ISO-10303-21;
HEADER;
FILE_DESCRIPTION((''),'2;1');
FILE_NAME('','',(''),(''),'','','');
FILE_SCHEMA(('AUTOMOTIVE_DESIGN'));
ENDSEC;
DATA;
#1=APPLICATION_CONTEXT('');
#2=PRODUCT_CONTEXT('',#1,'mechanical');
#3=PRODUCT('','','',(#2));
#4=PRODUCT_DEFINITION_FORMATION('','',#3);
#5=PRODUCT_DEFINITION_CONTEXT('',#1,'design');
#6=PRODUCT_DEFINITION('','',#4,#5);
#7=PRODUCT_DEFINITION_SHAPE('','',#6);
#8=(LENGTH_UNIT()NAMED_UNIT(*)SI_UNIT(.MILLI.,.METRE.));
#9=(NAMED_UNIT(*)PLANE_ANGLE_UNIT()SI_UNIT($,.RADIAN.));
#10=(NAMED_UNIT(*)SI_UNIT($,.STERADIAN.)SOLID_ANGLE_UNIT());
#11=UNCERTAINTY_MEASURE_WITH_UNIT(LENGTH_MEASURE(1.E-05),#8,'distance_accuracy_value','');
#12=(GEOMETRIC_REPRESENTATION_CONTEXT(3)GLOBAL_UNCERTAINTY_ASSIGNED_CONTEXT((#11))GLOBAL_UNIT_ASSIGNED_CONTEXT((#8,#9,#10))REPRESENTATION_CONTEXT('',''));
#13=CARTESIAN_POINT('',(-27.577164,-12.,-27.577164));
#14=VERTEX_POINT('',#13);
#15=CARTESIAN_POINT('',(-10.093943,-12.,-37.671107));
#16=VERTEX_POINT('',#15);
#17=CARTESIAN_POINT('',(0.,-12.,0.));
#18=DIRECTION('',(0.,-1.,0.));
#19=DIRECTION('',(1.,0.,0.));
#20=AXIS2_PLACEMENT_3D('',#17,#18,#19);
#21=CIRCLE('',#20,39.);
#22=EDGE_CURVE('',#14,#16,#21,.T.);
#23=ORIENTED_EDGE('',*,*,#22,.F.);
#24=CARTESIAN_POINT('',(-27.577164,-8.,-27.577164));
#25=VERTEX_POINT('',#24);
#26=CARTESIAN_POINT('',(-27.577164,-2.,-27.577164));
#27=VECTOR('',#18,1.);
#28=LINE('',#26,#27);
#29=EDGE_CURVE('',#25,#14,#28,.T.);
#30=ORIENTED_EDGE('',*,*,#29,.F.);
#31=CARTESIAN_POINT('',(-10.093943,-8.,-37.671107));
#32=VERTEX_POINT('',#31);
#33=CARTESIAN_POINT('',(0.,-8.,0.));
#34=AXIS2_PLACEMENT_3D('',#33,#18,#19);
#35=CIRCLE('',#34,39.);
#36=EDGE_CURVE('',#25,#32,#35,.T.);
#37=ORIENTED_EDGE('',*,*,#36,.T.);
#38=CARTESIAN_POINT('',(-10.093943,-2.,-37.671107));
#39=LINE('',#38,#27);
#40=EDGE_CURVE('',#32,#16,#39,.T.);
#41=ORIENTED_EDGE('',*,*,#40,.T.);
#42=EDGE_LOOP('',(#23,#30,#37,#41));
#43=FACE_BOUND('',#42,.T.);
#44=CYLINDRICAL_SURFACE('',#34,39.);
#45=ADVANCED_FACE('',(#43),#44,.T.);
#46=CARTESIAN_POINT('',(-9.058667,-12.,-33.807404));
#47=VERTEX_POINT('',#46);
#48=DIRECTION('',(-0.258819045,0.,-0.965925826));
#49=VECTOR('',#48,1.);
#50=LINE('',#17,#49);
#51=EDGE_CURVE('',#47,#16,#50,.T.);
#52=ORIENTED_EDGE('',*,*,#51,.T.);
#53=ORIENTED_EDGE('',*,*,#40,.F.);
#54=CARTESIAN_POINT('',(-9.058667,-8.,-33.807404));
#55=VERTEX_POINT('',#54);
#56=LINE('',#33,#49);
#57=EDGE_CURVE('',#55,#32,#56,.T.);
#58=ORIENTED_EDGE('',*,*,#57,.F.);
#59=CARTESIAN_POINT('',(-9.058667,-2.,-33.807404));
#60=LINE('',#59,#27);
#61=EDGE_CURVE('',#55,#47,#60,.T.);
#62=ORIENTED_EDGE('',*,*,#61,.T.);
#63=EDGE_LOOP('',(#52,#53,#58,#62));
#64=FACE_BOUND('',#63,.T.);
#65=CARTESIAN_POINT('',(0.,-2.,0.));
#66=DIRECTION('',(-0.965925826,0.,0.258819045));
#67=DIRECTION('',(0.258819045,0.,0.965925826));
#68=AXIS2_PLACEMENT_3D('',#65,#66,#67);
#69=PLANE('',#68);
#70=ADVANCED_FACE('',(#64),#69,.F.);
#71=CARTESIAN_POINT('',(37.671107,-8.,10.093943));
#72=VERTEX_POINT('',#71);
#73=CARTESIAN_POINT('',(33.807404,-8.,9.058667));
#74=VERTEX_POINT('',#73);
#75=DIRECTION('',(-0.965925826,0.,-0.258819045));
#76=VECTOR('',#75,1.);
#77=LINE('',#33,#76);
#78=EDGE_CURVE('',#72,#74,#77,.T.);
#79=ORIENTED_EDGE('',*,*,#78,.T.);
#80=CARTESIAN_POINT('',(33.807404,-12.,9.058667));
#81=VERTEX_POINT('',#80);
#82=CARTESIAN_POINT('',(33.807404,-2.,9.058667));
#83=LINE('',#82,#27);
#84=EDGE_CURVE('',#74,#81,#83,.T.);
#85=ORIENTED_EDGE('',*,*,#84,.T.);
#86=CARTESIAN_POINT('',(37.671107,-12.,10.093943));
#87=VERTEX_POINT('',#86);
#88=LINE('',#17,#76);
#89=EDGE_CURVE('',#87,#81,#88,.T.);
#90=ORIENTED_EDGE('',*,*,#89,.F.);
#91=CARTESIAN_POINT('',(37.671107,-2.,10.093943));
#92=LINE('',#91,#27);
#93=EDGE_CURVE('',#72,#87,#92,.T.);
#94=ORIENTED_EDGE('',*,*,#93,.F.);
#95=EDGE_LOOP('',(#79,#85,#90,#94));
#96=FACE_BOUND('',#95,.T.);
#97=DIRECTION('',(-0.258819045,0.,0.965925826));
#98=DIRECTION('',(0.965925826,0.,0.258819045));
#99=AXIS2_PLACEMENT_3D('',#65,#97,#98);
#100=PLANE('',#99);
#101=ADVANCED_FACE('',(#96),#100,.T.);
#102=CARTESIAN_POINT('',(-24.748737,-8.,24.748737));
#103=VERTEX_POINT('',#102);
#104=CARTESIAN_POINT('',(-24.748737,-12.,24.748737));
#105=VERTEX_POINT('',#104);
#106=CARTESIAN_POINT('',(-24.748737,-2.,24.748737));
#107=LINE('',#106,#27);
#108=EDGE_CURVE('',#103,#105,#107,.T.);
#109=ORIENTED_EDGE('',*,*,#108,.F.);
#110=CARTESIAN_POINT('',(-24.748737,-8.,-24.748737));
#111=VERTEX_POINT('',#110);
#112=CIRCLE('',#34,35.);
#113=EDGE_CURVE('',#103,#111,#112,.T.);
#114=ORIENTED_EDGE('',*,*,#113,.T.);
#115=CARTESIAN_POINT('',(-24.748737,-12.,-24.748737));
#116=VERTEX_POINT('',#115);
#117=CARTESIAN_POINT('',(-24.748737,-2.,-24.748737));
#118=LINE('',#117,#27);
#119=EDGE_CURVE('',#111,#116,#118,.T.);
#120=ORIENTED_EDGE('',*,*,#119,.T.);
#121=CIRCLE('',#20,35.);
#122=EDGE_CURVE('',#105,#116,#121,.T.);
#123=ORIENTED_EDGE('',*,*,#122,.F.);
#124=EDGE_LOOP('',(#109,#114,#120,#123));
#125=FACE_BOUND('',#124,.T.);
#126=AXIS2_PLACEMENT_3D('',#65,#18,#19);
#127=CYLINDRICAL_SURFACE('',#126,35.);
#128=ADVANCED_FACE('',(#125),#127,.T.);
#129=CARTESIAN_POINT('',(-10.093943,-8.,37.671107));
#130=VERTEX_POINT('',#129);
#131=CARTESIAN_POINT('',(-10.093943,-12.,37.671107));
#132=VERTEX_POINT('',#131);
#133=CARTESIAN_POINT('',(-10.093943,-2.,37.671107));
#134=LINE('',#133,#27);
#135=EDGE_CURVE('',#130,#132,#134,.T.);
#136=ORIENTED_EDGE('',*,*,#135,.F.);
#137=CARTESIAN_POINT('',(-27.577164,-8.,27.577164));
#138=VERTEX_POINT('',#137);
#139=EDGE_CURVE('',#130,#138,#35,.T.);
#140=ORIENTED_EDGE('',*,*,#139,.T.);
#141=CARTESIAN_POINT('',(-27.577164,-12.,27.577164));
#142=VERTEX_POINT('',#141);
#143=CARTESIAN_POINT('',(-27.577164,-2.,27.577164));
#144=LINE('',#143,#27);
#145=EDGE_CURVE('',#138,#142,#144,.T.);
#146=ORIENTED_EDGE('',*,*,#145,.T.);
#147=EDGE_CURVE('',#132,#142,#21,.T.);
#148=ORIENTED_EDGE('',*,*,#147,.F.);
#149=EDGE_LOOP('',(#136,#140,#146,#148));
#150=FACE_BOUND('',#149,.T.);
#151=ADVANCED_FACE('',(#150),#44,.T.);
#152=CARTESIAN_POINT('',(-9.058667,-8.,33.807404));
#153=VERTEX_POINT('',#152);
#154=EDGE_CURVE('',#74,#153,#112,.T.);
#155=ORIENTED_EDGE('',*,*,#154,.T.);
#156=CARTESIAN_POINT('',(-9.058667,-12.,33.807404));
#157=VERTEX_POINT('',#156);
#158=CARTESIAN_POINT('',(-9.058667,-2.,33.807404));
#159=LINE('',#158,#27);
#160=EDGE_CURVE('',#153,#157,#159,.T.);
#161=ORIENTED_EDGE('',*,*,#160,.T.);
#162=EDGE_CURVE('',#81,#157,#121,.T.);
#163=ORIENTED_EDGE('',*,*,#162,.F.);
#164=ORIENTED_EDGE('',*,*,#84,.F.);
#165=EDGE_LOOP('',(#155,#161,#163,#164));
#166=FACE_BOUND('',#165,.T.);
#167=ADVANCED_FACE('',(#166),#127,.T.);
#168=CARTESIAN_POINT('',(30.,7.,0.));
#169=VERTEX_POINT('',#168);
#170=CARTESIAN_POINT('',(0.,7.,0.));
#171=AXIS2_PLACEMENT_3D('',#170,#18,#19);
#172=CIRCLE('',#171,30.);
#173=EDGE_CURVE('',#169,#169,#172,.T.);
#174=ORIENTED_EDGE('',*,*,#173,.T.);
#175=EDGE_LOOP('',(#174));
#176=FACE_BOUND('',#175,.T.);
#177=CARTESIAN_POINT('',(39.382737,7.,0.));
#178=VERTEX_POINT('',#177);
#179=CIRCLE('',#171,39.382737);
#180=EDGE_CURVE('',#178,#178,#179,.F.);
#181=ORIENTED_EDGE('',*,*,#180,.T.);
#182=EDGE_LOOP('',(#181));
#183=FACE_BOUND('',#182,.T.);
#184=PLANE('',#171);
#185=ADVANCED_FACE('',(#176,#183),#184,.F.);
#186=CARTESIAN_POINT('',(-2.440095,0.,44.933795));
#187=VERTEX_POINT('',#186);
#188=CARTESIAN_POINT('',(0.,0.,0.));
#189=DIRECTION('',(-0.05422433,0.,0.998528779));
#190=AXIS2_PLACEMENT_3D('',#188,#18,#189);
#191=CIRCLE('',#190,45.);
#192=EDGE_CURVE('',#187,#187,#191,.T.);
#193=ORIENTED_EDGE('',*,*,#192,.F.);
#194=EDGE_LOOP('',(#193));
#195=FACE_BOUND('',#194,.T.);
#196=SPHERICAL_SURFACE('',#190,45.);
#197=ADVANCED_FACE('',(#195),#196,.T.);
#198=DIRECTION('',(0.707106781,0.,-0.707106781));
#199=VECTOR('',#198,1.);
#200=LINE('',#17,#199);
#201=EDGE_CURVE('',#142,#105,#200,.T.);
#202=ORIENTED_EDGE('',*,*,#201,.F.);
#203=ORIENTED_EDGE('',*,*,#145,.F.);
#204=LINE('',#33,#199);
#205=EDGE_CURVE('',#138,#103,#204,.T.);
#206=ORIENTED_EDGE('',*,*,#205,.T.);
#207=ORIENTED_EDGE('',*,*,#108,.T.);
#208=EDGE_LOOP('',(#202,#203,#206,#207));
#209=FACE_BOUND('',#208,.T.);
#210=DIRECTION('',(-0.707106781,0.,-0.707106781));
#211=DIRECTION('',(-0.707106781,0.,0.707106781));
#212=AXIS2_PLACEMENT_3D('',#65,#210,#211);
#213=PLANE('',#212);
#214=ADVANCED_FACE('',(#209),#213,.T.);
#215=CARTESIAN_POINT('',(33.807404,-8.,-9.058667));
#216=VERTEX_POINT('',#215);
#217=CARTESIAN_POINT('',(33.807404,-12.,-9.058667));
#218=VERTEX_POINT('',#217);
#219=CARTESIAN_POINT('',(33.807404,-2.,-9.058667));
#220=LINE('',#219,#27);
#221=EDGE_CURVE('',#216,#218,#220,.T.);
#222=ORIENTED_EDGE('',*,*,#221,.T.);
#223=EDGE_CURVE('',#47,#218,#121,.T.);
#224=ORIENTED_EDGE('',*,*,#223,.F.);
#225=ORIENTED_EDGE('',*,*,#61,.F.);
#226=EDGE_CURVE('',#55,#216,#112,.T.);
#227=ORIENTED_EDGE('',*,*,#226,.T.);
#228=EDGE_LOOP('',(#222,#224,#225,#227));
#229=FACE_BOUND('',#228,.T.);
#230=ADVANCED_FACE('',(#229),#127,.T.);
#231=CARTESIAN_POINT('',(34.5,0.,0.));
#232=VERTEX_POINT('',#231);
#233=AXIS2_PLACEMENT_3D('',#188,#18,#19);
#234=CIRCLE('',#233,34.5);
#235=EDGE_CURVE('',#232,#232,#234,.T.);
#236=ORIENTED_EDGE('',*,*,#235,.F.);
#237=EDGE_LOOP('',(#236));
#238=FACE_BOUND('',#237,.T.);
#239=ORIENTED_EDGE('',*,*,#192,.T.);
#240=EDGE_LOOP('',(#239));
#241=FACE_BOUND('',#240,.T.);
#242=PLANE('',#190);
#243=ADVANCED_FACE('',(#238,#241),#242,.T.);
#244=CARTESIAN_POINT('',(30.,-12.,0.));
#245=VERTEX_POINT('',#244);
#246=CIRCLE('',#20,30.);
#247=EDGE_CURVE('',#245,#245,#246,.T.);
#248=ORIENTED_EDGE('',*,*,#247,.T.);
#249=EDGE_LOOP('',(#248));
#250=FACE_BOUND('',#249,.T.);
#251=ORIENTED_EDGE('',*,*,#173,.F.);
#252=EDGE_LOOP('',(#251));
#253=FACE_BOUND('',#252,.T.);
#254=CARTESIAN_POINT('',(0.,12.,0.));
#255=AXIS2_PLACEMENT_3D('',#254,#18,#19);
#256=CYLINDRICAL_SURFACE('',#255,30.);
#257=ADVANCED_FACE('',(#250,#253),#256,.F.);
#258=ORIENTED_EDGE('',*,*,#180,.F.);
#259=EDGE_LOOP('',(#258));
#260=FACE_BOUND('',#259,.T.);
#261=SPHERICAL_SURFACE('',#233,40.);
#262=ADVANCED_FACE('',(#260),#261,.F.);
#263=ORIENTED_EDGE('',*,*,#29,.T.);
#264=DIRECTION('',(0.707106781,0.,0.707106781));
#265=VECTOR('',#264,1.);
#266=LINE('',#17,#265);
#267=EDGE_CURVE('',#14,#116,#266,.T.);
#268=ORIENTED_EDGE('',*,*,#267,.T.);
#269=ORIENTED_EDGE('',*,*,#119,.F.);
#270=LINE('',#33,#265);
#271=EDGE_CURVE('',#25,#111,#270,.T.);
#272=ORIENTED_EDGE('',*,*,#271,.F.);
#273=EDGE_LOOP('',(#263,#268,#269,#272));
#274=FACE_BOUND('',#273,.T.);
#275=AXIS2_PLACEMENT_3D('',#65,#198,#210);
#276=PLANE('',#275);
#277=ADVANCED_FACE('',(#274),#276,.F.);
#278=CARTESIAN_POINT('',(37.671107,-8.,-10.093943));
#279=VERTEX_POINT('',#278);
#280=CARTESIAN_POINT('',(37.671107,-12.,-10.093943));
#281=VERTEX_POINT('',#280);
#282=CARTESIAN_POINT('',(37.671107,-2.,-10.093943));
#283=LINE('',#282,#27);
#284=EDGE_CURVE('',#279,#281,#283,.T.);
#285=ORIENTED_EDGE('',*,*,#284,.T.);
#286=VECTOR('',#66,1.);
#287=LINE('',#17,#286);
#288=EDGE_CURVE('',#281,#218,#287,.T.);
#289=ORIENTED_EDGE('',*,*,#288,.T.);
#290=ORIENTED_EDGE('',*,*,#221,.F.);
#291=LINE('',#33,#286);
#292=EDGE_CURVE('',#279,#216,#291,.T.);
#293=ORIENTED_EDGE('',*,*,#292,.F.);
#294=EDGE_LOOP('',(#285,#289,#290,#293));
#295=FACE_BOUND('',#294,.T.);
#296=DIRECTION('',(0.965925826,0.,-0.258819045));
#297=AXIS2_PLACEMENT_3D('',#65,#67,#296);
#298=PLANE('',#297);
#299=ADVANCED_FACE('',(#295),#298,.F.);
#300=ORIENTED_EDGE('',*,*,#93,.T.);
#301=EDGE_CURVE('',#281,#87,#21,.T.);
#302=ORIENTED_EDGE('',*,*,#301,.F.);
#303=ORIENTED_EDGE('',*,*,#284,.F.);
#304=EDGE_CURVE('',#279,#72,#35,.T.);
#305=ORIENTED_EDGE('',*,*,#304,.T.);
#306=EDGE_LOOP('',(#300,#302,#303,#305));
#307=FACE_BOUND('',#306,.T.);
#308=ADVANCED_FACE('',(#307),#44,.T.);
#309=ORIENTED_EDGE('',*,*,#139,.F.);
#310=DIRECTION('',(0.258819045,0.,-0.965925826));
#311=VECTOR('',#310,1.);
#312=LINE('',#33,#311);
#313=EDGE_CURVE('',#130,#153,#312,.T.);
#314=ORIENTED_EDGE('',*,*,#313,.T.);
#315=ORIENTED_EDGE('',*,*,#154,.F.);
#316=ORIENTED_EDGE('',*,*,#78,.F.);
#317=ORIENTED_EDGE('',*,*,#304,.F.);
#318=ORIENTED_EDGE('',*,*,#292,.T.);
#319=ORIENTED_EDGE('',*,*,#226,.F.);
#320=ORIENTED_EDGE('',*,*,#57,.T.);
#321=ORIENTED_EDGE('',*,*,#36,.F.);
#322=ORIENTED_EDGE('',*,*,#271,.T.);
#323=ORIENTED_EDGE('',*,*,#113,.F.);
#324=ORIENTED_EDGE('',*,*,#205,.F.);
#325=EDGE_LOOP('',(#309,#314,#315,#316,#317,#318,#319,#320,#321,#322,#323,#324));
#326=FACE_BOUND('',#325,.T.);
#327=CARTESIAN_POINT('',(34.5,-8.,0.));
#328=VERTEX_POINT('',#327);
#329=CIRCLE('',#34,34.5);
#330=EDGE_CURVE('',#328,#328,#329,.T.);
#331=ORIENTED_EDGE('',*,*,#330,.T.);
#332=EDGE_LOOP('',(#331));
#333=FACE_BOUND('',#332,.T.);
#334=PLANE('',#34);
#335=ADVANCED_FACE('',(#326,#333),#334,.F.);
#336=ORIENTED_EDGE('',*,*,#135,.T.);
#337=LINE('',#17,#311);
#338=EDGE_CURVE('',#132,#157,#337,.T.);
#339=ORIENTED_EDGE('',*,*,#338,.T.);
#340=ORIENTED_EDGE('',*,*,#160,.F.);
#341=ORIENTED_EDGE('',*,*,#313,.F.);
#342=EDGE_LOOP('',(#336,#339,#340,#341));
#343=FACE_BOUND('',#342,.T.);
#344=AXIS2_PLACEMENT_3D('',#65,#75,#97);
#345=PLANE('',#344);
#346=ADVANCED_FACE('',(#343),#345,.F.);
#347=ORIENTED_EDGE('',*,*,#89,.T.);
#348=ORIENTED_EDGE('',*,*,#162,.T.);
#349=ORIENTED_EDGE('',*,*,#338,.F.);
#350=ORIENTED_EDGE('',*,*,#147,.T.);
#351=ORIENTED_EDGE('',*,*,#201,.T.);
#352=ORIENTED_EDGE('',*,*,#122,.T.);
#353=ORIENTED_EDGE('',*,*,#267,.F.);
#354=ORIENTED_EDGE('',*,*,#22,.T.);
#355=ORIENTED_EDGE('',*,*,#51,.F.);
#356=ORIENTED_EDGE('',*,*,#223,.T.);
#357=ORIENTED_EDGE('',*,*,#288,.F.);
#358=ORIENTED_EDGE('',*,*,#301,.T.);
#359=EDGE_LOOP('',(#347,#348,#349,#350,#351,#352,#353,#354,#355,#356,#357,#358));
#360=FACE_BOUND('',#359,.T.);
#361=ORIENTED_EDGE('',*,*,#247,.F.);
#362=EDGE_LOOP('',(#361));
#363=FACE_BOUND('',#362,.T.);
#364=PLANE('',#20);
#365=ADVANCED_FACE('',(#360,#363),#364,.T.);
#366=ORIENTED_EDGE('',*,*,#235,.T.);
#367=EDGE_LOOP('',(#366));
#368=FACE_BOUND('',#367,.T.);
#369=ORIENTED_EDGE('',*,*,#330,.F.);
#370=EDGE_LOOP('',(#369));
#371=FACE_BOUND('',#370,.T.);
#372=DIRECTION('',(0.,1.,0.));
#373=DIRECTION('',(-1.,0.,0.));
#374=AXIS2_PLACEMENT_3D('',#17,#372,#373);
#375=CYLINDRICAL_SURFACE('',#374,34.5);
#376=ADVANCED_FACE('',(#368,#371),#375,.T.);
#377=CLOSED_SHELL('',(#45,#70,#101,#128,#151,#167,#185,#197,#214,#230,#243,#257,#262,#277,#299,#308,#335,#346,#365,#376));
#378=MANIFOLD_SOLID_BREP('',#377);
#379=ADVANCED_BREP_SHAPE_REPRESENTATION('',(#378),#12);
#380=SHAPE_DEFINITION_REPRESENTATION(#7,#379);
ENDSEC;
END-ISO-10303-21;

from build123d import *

# Parameters (mm, degrees)
REVOLVE1_ANGLE      = 180
SKETCH4_R           = 41.29501491
BOSS_EXTRUDE1_DEPTH = 7
SKETCH5_R           = 34.5
BOSS_EXTRUDE2_DEPTH = 12
SKETCH6_R           = 39
BOSS_EXTRUDE4_DEPTH = 4
SKETCH7_R           = 30
CUT_EXTRUDE1_DEPTH  = 24
CUT_EXTRUDE2_DEPTH  = 10


with BuildPart() as part:
    # Sketch1 → Revolve1 (revolve)
    with BuildSketch(Plane(origin=(0, 0, 0), x_dir=(1, 0, 0), z_dir=(0, 1, 0))):
        with BuildLine():
            Line((1.220496419, 44.983445716), (-1.220496419, -44.983445716))
            ThreePointArc((-1.220496419, -44.983445716), (44.983445716, -1.220496419), (1.220496419, 44.983445716))
        make_face()
    revolve(axis=Axis((1.220496419, 0, -44.983445716), (-0.027122143, 0, 0.999632127)), revolution_arc=REVOLVE1_ANGLE)

    # Sketch2 → Cut-Revolve1 (revolve, cut)
    with BuildSketch(Plane.XZ):
        with BuildLine():
            Line((39.984553657, 1.111516454), (-39.984553657, -1.111516454))
            ThreePointArc((-39.984553657, -1.111516454), (-1.111516454, 39.984553657), (39.984553657, 1.111516454))
        make_face()
    revolve(axis=Axis((39.984553657, 0, 1.111516454), (-0.999613841, 0, -0.027787911)), mode=Mode.SUBTRACT)

    # Sketch4 → Boss-Extrude1 (add)
    with BuildSketch(Plane.XZ):
        Circle(SKETCH4_R)
    extrude(amount=-BOSS_EXTRUDE1_DEPTH)

    # Sketch5 → Boss-Extrude2 (add)
    with BuildSketch(Plane.XZ):
        Circle(SKETCH5_R)
    extrude(amount=BOSS_EXTRUDE2_DEPTH)

    # Sketch6 → Boss-Extrude4 (add)
    with BuildSketch(Plane.XZ.offset(12)):
        Circle(SKETCH6_R)
    extrude(amount=-BOSS_EXTRUDE4_DEPTH)

    # Sketch7 → Cut-Extrude1 (cut)
    with BuildSketch(Plane.XZ.offset(12)):
        Circle(SKETCH7_R)
    extrude(amount=-CUT_EXTRUDE1_DEPTH, mode=Mode.SUBTRACT)

    # Sketch8 → Cut-Extrude2 (cut)
    with BuildSketch(Plane.XZ.offset(12)):
        with BuildLine():
            ThreePointArc((37.671107225, 10.093942759), (19.5, 33.774990748), (-10.093942759, 37.671107225))
            Line((-10.093942759, 37.671107225), (-9.058666579, 33.80740392))
            ThreePointArc((-9.058666579, 33.80740392), (17.5, 30.310889132), (33.80740392, 9.058666579))
            Line((33.80740392, 9.058666579), (37.671107225, 10.093942759))
        make_face()
        with BuildLine():
            ThreePointArc((-10.093942759, -37.671107225), (19.5, -33.774990748), (37.671107225, -10.093942759))
            Line((37.671107225, -10.093942759), (33.80740392, -9.058666579))
            ThreePointArc((33.80740392, -9.058666579), (17.5, -30.310889132), (-9.058666579, -33.80740392))
            Line((-9.058666579, -33.80740392), (-10.093942759, -37.671107225))
        make_face()
        with BuildLine():
            Line((-24.748737342, 24.748737342), (-27.577164466, 27.577164466))
            ThreePointArc((-27.577164466, 27.577164466), (-39, 0), (-27.577164466, -27.577164466))
            Line((-27.577164466, -27.577164466), (-24.748737342, -24.748737342))
            ThreePointArc((-24.748737342, -24.748737342), (-35, 0), (-24.748737342, 24.748737342))
        make_face()
    extrude(amount=-CUT_EXTRUDE2_DEPTH, mode=Mode.SUBTRACT)


solid = part.part
